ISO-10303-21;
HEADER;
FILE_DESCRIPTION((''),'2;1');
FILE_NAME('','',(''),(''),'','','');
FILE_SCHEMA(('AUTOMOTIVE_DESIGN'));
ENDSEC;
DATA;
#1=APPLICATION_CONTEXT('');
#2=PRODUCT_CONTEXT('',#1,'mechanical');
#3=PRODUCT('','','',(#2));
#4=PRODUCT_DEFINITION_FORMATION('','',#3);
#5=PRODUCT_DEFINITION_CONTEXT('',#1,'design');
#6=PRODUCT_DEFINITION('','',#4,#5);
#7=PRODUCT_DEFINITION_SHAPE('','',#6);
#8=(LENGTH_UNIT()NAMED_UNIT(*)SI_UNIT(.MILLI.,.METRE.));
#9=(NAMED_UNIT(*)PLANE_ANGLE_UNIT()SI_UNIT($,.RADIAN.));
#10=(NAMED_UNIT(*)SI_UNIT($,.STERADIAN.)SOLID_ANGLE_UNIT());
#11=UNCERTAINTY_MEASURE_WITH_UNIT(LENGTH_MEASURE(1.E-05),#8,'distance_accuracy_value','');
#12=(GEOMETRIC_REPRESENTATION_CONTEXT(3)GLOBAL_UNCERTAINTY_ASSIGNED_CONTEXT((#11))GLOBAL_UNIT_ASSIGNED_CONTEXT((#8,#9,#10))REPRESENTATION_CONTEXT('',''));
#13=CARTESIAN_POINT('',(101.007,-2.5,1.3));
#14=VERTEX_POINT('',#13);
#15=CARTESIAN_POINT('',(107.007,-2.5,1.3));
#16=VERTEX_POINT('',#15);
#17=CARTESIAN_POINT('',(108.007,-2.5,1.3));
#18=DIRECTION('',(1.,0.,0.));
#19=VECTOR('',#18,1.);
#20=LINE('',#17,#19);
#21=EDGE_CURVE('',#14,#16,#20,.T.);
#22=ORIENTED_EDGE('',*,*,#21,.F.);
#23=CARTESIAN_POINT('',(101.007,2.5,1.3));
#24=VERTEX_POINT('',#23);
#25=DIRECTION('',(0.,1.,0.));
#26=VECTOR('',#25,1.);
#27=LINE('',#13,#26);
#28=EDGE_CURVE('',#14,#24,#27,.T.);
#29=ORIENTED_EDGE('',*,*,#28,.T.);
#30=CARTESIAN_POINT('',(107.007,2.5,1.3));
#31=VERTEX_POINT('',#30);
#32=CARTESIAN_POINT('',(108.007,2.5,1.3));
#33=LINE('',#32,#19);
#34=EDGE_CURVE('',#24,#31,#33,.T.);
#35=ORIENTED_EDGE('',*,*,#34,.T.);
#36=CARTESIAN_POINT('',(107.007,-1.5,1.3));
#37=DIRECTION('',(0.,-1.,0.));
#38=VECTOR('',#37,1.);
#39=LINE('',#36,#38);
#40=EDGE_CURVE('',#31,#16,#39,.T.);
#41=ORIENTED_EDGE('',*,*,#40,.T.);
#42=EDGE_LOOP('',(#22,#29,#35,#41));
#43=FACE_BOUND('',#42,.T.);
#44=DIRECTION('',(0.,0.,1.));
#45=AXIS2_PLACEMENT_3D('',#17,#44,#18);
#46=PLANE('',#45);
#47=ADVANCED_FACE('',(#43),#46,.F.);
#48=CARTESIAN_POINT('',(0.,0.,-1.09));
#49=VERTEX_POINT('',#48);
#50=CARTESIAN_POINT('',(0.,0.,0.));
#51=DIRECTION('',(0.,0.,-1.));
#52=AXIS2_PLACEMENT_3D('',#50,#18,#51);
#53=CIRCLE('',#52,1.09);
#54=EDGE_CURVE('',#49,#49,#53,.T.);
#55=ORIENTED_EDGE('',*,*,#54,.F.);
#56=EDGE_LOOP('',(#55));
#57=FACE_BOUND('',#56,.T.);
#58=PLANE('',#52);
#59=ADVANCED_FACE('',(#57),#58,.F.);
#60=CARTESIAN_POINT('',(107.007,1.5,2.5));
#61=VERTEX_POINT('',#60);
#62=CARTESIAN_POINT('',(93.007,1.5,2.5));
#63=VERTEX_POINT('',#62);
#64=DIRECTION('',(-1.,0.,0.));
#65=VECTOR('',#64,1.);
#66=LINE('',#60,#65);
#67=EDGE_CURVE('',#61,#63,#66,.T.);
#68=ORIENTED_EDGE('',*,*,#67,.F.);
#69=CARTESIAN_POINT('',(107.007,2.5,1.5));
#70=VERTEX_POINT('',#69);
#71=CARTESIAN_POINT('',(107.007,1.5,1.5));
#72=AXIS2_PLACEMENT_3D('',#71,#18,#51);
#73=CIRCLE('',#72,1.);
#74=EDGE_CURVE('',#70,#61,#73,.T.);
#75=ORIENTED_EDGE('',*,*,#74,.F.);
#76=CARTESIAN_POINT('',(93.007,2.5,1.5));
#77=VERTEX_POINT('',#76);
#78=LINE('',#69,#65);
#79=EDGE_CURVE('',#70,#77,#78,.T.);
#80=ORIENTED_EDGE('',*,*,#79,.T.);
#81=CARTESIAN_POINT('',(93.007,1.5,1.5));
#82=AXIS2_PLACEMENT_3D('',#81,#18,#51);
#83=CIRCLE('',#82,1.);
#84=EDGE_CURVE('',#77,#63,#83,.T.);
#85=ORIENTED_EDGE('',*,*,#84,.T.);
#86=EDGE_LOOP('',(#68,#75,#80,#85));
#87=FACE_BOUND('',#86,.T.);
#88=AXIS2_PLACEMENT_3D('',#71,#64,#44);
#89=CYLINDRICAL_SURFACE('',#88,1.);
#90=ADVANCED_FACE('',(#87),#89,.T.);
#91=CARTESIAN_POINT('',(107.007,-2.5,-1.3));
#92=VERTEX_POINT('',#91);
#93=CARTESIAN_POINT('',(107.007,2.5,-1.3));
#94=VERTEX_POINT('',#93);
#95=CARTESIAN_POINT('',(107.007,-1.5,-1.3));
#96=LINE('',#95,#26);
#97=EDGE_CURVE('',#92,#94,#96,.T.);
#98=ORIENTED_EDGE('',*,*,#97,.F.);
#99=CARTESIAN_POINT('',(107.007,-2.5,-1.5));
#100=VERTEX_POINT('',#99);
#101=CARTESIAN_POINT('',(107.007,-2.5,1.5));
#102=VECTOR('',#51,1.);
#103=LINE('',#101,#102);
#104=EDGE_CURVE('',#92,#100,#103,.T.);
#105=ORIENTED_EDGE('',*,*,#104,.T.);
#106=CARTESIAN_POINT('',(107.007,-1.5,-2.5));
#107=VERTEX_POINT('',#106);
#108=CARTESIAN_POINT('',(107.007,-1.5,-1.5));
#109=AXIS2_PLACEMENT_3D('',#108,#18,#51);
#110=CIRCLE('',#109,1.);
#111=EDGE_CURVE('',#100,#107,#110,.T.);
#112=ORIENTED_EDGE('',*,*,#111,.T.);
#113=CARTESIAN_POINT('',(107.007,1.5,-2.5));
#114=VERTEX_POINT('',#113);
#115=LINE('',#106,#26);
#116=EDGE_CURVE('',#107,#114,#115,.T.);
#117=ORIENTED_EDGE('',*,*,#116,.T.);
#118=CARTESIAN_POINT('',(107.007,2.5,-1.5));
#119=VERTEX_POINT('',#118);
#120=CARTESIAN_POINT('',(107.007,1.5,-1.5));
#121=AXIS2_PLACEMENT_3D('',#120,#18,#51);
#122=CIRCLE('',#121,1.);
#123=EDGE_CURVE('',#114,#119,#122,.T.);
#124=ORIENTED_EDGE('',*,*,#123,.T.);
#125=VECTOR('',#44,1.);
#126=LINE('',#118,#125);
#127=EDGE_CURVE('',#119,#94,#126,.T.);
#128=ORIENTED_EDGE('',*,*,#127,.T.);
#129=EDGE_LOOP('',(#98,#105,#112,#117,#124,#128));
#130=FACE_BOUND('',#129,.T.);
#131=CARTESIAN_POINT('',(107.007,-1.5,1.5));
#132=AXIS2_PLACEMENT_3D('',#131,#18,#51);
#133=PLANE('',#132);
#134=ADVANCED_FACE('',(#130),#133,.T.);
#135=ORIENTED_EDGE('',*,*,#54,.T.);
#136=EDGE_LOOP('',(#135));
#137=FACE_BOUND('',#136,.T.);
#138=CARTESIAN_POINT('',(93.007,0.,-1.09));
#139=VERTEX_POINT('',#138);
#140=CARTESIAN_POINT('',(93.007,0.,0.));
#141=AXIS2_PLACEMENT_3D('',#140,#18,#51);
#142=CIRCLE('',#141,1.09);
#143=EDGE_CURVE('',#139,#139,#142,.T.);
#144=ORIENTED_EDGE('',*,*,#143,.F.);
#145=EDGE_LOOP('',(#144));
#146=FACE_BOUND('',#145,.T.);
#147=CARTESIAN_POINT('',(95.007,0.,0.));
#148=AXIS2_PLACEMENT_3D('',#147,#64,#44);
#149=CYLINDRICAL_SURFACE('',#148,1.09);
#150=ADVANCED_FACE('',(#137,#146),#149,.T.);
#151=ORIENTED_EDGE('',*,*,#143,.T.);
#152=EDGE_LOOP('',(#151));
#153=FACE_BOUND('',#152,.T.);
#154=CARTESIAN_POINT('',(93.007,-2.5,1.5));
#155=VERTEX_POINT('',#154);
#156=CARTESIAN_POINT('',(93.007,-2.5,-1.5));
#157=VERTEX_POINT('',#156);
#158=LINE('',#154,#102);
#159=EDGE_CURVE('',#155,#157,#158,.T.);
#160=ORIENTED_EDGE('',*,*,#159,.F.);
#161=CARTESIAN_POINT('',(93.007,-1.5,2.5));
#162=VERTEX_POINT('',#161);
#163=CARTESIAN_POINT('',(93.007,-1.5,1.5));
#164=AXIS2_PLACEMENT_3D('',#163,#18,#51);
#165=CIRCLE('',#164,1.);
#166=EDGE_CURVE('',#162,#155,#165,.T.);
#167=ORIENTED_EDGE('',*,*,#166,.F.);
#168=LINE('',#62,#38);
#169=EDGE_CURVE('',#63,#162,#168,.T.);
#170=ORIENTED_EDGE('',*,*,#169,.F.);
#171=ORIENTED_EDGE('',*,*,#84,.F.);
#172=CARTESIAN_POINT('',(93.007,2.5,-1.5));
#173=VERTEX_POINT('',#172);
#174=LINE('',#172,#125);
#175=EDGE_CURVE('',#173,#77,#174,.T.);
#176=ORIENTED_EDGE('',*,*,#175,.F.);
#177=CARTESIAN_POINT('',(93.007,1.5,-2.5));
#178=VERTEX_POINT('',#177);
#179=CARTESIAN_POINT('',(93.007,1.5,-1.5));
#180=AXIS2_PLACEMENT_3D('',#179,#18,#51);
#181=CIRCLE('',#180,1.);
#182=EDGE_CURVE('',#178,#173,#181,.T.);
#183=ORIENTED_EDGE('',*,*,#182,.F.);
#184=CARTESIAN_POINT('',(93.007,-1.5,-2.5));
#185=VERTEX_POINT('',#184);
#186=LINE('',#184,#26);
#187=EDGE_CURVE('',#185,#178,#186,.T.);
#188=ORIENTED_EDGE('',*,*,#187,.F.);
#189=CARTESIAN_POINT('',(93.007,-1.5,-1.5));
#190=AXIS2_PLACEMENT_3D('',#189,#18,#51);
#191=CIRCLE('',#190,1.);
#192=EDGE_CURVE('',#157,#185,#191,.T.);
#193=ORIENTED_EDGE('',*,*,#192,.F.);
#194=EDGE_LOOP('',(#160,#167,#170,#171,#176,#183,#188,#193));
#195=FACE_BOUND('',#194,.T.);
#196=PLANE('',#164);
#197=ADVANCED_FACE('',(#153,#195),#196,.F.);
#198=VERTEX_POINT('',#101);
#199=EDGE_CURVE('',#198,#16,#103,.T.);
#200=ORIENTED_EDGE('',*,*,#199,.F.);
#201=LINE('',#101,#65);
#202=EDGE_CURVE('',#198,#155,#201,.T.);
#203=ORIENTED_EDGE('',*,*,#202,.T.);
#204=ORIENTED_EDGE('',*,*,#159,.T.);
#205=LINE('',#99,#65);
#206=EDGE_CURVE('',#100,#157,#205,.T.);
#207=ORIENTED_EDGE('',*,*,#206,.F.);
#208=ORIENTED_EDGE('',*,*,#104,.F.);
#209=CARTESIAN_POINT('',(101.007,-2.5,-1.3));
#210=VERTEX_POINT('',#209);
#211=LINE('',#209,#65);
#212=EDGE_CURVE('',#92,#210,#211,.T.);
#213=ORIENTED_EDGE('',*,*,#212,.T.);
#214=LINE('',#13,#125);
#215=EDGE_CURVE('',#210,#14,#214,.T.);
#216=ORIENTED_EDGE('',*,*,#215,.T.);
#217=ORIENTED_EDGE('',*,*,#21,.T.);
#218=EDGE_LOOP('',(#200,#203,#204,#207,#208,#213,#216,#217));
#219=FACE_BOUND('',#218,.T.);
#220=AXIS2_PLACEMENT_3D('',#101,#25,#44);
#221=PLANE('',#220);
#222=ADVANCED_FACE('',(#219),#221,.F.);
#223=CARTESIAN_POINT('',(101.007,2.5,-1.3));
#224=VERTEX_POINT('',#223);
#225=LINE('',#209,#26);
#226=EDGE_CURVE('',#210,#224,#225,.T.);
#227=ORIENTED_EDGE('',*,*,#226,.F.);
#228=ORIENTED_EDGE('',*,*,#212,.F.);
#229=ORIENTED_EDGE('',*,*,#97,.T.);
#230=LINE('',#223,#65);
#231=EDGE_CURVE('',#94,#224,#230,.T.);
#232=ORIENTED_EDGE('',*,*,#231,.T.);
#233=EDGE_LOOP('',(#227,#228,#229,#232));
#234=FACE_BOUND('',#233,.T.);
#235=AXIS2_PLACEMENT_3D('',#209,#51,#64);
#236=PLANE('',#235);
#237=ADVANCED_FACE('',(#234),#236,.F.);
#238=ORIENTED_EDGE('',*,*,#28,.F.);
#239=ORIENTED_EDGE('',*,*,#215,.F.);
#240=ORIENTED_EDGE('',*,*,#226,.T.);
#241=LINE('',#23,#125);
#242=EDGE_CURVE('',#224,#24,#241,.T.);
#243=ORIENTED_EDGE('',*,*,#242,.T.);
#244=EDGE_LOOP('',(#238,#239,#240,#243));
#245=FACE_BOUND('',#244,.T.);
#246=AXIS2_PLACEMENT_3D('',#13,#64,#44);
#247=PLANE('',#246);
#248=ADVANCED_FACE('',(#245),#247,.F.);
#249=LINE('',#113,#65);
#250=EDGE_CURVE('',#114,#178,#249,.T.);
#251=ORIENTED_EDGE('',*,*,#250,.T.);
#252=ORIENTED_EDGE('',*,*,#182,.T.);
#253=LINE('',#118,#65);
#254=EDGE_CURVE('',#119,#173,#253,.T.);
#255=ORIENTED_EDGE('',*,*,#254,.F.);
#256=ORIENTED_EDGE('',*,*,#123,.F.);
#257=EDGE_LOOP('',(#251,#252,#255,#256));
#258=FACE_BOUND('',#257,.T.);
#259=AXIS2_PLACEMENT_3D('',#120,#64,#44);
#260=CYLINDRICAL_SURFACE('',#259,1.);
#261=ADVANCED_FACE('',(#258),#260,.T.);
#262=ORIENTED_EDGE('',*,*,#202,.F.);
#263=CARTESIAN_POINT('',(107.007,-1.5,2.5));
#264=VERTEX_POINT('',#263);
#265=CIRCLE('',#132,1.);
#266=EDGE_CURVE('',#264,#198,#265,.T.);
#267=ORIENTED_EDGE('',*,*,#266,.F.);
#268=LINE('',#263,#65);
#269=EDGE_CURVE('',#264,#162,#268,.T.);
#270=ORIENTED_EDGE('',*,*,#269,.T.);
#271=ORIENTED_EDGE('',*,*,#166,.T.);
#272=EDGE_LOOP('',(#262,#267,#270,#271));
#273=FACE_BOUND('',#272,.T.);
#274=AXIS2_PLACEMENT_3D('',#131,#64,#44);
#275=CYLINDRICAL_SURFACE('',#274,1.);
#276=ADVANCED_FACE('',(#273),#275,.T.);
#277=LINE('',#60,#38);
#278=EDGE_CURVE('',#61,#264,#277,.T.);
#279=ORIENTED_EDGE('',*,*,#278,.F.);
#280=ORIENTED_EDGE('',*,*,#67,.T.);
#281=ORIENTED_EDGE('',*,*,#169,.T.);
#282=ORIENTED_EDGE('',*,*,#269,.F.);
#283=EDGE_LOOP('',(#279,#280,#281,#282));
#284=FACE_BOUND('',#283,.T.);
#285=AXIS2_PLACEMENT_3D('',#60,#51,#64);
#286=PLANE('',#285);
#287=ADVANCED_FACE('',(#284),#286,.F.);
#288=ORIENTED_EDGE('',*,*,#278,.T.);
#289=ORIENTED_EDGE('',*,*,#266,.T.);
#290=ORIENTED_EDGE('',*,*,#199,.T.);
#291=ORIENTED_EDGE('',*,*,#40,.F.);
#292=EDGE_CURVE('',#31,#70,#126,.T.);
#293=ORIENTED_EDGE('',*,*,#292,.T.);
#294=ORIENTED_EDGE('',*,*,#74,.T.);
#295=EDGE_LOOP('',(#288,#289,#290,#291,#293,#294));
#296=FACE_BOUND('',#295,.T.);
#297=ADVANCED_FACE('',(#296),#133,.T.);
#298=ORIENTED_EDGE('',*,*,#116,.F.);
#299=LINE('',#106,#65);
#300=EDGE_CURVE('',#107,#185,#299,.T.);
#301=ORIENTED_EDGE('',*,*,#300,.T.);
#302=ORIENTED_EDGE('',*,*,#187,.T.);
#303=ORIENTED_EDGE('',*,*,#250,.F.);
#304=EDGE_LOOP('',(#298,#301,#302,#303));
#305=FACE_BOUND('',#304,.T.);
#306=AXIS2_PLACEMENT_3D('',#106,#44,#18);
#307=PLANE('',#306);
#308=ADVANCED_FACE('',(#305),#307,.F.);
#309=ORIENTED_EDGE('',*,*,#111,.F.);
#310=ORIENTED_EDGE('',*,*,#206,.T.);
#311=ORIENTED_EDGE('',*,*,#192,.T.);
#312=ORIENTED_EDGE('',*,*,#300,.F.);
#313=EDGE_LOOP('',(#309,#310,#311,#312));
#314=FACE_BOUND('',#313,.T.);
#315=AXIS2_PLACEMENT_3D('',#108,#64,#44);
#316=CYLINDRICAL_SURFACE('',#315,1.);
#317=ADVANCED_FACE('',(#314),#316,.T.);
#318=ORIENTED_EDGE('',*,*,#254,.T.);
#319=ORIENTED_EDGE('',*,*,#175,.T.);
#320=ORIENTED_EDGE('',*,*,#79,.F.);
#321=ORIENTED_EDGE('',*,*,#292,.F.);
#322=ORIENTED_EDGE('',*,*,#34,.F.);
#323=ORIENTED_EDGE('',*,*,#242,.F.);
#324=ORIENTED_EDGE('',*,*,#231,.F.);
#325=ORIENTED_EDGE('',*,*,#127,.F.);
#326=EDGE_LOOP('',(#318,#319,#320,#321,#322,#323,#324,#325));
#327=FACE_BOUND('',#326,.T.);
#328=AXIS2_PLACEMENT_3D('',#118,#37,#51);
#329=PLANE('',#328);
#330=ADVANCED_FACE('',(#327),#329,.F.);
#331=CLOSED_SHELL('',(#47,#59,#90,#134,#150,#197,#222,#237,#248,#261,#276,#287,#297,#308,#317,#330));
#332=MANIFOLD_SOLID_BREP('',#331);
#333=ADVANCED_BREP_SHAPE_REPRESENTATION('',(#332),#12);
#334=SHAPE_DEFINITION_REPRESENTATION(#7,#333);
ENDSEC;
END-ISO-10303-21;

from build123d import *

# Parameters (mm, degrees)
SKETCH1_R               = 1.09
BOSS_EXTRUDE1_DEPTH     = 95.007
BOSS_EXTRUDE2_DEPTH     = 14
CUT_EXTRUDE1_DEPTH      = 108.065391462
CUT_EXTRUDE1_DEPTH_BACK = 108.065391462
SKETCH3_W               = 7
SKETCH3_H               = 2.6


with BuildPart() as part:
    # Sketch1 → Boss-Extrude1 (new body)
    with BuildSketch(Plane(origin=(0, 0, 0), x_dir=(0, 0, -1), z_dir=(1, 0, 0))):
        Circle(SKETCH1_R)
    extrude(amount=BOSS_EXTRUDE1_DEPTH)

    # Sketch2 → Boss-Extrude2 (add)
    with BuildSketch(Plane(origin=(93.007, 0, 0), x_dir=(0, 0, -1), z_dir=(1, 0, 0))):
        with BuildLine():
            Line((-1.5, -2.5), (1.5, -2.5))
            ThreePointArc((1.5, -2.5), (2.207106781, -2.207106781), (2.5, -1.5))
            Line((2.5, -1.5), (2.5, 1.5))
            ThreePointArc((2.5, 1.5), (2.207106781, 2.207106781), (1.5, 2.5))
            Line((1.5, 2.5), (-1.5, 2.5))
            ThreePointArc((-1.5, 2.5), (-2.207106781, 2.207106781), (-2.5, 1.5))
            Line((-2.5, 1.5), (-2.5, -1.5))
            ThreePointArc((-2.5, -1.5), (-2.207106781, -2.207106781), (-1.5, -2.5))
        make_face()
    extrude(amount=BOSS_EXTRUDE2_DEPTH)

    # Sketch3 → Cut-Extrude1 (cut, two sides: drawn at the far end of the back side and taken through both)
    with BuildSketch(Plane(origin=(0, 0, 0), x_dir=(1, 0, 0), z_dir=(0, 1, 0)).offset(-CUT_EXTRUDE1_DEPTH_BACK)):
        with Locations((104.507, 0)):
            Rectangle(SKETCH3_W, SKETCH3_H)
    extrude(amount=CUT_EXTRUDE1_DEPTH + CUT_EXTRUDE1_DEPTH_BACK, mode=Mode.SUBTRACT)


solid = part.part
